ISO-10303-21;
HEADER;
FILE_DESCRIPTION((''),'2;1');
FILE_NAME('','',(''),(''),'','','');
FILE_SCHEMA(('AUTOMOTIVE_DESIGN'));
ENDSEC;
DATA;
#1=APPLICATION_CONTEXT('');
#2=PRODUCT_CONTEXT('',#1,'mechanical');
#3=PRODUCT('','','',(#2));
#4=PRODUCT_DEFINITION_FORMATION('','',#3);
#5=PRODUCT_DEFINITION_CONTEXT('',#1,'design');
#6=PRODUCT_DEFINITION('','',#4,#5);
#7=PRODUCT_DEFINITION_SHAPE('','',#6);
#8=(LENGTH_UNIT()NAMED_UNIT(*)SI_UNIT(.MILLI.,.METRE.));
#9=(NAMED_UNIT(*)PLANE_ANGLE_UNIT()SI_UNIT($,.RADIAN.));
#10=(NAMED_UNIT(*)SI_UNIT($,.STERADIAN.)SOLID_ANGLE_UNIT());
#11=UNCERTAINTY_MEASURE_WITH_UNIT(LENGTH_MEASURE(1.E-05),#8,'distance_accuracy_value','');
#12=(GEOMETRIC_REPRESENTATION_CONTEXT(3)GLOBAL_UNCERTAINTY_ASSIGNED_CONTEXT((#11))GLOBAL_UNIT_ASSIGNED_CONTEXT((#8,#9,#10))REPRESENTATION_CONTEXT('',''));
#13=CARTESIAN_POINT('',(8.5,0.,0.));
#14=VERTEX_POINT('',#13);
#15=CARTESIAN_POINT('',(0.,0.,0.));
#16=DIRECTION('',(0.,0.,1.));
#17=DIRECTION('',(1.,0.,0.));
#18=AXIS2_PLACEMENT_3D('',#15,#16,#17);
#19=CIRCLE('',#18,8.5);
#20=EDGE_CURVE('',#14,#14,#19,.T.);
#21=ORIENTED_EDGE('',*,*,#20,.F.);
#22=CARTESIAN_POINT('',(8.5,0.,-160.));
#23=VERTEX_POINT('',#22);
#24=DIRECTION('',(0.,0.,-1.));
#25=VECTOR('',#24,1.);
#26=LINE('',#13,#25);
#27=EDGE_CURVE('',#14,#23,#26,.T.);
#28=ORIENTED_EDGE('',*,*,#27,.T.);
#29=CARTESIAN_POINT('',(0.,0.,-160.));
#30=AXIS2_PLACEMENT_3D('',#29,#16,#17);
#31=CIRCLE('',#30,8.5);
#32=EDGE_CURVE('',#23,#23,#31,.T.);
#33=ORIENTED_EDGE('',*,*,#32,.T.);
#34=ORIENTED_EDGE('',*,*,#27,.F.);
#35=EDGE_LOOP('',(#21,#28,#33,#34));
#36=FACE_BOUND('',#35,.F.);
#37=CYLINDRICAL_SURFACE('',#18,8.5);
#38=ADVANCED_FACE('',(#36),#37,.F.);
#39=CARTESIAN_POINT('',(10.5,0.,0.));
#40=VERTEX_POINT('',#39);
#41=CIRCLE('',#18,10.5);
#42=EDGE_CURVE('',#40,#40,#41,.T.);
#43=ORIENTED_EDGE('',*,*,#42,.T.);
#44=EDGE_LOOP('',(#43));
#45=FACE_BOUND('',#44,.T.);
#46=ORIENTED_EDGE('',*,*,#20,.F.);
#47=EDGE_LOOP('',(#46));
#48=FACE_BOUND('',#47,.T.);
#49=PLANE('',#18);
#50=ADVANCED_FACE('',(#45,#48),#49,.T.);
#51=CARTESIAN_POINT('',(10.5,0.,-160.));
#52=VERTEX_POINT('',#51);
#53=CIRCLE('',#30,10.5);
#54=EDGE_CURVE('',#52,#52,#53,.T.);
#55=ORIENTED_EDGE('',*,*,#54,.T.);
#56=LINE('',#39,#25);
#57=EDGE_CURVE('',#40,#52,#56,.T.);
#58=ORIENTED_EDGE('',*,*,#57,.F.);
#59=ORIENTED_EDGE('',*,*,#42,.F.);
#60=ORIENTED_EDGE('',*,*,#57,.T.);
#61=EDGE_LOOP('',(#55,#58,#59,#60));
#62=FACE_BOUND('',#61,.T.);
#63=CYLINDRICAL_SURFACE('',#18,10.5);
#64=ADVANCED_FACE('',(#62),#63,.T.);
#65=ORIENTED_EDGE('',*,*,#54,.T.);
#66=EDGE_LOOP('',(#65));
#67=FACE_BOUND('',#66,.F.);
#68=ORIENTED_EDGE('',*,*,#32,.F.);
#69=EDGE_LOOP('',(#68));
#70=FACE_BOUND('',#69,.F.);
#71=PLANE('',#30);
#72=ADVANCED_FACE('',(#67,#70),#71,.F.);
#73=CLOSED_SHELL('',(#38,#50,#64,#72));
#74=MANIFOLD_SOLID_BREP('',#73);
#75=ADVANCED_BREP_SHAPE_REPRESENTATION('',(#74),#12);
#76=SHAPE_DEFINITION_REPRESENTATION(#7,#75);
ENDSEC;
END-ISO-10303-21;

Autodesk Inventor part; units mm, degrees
ref_plane "YZ Plane" through (0, 0, 0) normal (1, 0, 0) x (0, 1, 0)
ref_plane "XZ Plane" through (0, 0, 0) normal (0, 1, 0) x (-1, 0, 0)
ref_plane "XY Plane" through (0, 0, 0) normal (0, 0, 1) x (1, 0, 0)
sketch "Sketch11" plane through (0, 0, 0) normal (0, 0, 1) x (1, 0, 0)
  circle A0 centre (0, 0) radius 10.5
  circle A1 centre (0, 0) radius 8.5
  dimension "d187" = 21
  dimension "d188" = 2
extrude "Extrusion5" add sketch "Sketch11" against normal blind 160
properties part number "TKS 3548 FDS thread  tube8" material "Stainless Steel"
